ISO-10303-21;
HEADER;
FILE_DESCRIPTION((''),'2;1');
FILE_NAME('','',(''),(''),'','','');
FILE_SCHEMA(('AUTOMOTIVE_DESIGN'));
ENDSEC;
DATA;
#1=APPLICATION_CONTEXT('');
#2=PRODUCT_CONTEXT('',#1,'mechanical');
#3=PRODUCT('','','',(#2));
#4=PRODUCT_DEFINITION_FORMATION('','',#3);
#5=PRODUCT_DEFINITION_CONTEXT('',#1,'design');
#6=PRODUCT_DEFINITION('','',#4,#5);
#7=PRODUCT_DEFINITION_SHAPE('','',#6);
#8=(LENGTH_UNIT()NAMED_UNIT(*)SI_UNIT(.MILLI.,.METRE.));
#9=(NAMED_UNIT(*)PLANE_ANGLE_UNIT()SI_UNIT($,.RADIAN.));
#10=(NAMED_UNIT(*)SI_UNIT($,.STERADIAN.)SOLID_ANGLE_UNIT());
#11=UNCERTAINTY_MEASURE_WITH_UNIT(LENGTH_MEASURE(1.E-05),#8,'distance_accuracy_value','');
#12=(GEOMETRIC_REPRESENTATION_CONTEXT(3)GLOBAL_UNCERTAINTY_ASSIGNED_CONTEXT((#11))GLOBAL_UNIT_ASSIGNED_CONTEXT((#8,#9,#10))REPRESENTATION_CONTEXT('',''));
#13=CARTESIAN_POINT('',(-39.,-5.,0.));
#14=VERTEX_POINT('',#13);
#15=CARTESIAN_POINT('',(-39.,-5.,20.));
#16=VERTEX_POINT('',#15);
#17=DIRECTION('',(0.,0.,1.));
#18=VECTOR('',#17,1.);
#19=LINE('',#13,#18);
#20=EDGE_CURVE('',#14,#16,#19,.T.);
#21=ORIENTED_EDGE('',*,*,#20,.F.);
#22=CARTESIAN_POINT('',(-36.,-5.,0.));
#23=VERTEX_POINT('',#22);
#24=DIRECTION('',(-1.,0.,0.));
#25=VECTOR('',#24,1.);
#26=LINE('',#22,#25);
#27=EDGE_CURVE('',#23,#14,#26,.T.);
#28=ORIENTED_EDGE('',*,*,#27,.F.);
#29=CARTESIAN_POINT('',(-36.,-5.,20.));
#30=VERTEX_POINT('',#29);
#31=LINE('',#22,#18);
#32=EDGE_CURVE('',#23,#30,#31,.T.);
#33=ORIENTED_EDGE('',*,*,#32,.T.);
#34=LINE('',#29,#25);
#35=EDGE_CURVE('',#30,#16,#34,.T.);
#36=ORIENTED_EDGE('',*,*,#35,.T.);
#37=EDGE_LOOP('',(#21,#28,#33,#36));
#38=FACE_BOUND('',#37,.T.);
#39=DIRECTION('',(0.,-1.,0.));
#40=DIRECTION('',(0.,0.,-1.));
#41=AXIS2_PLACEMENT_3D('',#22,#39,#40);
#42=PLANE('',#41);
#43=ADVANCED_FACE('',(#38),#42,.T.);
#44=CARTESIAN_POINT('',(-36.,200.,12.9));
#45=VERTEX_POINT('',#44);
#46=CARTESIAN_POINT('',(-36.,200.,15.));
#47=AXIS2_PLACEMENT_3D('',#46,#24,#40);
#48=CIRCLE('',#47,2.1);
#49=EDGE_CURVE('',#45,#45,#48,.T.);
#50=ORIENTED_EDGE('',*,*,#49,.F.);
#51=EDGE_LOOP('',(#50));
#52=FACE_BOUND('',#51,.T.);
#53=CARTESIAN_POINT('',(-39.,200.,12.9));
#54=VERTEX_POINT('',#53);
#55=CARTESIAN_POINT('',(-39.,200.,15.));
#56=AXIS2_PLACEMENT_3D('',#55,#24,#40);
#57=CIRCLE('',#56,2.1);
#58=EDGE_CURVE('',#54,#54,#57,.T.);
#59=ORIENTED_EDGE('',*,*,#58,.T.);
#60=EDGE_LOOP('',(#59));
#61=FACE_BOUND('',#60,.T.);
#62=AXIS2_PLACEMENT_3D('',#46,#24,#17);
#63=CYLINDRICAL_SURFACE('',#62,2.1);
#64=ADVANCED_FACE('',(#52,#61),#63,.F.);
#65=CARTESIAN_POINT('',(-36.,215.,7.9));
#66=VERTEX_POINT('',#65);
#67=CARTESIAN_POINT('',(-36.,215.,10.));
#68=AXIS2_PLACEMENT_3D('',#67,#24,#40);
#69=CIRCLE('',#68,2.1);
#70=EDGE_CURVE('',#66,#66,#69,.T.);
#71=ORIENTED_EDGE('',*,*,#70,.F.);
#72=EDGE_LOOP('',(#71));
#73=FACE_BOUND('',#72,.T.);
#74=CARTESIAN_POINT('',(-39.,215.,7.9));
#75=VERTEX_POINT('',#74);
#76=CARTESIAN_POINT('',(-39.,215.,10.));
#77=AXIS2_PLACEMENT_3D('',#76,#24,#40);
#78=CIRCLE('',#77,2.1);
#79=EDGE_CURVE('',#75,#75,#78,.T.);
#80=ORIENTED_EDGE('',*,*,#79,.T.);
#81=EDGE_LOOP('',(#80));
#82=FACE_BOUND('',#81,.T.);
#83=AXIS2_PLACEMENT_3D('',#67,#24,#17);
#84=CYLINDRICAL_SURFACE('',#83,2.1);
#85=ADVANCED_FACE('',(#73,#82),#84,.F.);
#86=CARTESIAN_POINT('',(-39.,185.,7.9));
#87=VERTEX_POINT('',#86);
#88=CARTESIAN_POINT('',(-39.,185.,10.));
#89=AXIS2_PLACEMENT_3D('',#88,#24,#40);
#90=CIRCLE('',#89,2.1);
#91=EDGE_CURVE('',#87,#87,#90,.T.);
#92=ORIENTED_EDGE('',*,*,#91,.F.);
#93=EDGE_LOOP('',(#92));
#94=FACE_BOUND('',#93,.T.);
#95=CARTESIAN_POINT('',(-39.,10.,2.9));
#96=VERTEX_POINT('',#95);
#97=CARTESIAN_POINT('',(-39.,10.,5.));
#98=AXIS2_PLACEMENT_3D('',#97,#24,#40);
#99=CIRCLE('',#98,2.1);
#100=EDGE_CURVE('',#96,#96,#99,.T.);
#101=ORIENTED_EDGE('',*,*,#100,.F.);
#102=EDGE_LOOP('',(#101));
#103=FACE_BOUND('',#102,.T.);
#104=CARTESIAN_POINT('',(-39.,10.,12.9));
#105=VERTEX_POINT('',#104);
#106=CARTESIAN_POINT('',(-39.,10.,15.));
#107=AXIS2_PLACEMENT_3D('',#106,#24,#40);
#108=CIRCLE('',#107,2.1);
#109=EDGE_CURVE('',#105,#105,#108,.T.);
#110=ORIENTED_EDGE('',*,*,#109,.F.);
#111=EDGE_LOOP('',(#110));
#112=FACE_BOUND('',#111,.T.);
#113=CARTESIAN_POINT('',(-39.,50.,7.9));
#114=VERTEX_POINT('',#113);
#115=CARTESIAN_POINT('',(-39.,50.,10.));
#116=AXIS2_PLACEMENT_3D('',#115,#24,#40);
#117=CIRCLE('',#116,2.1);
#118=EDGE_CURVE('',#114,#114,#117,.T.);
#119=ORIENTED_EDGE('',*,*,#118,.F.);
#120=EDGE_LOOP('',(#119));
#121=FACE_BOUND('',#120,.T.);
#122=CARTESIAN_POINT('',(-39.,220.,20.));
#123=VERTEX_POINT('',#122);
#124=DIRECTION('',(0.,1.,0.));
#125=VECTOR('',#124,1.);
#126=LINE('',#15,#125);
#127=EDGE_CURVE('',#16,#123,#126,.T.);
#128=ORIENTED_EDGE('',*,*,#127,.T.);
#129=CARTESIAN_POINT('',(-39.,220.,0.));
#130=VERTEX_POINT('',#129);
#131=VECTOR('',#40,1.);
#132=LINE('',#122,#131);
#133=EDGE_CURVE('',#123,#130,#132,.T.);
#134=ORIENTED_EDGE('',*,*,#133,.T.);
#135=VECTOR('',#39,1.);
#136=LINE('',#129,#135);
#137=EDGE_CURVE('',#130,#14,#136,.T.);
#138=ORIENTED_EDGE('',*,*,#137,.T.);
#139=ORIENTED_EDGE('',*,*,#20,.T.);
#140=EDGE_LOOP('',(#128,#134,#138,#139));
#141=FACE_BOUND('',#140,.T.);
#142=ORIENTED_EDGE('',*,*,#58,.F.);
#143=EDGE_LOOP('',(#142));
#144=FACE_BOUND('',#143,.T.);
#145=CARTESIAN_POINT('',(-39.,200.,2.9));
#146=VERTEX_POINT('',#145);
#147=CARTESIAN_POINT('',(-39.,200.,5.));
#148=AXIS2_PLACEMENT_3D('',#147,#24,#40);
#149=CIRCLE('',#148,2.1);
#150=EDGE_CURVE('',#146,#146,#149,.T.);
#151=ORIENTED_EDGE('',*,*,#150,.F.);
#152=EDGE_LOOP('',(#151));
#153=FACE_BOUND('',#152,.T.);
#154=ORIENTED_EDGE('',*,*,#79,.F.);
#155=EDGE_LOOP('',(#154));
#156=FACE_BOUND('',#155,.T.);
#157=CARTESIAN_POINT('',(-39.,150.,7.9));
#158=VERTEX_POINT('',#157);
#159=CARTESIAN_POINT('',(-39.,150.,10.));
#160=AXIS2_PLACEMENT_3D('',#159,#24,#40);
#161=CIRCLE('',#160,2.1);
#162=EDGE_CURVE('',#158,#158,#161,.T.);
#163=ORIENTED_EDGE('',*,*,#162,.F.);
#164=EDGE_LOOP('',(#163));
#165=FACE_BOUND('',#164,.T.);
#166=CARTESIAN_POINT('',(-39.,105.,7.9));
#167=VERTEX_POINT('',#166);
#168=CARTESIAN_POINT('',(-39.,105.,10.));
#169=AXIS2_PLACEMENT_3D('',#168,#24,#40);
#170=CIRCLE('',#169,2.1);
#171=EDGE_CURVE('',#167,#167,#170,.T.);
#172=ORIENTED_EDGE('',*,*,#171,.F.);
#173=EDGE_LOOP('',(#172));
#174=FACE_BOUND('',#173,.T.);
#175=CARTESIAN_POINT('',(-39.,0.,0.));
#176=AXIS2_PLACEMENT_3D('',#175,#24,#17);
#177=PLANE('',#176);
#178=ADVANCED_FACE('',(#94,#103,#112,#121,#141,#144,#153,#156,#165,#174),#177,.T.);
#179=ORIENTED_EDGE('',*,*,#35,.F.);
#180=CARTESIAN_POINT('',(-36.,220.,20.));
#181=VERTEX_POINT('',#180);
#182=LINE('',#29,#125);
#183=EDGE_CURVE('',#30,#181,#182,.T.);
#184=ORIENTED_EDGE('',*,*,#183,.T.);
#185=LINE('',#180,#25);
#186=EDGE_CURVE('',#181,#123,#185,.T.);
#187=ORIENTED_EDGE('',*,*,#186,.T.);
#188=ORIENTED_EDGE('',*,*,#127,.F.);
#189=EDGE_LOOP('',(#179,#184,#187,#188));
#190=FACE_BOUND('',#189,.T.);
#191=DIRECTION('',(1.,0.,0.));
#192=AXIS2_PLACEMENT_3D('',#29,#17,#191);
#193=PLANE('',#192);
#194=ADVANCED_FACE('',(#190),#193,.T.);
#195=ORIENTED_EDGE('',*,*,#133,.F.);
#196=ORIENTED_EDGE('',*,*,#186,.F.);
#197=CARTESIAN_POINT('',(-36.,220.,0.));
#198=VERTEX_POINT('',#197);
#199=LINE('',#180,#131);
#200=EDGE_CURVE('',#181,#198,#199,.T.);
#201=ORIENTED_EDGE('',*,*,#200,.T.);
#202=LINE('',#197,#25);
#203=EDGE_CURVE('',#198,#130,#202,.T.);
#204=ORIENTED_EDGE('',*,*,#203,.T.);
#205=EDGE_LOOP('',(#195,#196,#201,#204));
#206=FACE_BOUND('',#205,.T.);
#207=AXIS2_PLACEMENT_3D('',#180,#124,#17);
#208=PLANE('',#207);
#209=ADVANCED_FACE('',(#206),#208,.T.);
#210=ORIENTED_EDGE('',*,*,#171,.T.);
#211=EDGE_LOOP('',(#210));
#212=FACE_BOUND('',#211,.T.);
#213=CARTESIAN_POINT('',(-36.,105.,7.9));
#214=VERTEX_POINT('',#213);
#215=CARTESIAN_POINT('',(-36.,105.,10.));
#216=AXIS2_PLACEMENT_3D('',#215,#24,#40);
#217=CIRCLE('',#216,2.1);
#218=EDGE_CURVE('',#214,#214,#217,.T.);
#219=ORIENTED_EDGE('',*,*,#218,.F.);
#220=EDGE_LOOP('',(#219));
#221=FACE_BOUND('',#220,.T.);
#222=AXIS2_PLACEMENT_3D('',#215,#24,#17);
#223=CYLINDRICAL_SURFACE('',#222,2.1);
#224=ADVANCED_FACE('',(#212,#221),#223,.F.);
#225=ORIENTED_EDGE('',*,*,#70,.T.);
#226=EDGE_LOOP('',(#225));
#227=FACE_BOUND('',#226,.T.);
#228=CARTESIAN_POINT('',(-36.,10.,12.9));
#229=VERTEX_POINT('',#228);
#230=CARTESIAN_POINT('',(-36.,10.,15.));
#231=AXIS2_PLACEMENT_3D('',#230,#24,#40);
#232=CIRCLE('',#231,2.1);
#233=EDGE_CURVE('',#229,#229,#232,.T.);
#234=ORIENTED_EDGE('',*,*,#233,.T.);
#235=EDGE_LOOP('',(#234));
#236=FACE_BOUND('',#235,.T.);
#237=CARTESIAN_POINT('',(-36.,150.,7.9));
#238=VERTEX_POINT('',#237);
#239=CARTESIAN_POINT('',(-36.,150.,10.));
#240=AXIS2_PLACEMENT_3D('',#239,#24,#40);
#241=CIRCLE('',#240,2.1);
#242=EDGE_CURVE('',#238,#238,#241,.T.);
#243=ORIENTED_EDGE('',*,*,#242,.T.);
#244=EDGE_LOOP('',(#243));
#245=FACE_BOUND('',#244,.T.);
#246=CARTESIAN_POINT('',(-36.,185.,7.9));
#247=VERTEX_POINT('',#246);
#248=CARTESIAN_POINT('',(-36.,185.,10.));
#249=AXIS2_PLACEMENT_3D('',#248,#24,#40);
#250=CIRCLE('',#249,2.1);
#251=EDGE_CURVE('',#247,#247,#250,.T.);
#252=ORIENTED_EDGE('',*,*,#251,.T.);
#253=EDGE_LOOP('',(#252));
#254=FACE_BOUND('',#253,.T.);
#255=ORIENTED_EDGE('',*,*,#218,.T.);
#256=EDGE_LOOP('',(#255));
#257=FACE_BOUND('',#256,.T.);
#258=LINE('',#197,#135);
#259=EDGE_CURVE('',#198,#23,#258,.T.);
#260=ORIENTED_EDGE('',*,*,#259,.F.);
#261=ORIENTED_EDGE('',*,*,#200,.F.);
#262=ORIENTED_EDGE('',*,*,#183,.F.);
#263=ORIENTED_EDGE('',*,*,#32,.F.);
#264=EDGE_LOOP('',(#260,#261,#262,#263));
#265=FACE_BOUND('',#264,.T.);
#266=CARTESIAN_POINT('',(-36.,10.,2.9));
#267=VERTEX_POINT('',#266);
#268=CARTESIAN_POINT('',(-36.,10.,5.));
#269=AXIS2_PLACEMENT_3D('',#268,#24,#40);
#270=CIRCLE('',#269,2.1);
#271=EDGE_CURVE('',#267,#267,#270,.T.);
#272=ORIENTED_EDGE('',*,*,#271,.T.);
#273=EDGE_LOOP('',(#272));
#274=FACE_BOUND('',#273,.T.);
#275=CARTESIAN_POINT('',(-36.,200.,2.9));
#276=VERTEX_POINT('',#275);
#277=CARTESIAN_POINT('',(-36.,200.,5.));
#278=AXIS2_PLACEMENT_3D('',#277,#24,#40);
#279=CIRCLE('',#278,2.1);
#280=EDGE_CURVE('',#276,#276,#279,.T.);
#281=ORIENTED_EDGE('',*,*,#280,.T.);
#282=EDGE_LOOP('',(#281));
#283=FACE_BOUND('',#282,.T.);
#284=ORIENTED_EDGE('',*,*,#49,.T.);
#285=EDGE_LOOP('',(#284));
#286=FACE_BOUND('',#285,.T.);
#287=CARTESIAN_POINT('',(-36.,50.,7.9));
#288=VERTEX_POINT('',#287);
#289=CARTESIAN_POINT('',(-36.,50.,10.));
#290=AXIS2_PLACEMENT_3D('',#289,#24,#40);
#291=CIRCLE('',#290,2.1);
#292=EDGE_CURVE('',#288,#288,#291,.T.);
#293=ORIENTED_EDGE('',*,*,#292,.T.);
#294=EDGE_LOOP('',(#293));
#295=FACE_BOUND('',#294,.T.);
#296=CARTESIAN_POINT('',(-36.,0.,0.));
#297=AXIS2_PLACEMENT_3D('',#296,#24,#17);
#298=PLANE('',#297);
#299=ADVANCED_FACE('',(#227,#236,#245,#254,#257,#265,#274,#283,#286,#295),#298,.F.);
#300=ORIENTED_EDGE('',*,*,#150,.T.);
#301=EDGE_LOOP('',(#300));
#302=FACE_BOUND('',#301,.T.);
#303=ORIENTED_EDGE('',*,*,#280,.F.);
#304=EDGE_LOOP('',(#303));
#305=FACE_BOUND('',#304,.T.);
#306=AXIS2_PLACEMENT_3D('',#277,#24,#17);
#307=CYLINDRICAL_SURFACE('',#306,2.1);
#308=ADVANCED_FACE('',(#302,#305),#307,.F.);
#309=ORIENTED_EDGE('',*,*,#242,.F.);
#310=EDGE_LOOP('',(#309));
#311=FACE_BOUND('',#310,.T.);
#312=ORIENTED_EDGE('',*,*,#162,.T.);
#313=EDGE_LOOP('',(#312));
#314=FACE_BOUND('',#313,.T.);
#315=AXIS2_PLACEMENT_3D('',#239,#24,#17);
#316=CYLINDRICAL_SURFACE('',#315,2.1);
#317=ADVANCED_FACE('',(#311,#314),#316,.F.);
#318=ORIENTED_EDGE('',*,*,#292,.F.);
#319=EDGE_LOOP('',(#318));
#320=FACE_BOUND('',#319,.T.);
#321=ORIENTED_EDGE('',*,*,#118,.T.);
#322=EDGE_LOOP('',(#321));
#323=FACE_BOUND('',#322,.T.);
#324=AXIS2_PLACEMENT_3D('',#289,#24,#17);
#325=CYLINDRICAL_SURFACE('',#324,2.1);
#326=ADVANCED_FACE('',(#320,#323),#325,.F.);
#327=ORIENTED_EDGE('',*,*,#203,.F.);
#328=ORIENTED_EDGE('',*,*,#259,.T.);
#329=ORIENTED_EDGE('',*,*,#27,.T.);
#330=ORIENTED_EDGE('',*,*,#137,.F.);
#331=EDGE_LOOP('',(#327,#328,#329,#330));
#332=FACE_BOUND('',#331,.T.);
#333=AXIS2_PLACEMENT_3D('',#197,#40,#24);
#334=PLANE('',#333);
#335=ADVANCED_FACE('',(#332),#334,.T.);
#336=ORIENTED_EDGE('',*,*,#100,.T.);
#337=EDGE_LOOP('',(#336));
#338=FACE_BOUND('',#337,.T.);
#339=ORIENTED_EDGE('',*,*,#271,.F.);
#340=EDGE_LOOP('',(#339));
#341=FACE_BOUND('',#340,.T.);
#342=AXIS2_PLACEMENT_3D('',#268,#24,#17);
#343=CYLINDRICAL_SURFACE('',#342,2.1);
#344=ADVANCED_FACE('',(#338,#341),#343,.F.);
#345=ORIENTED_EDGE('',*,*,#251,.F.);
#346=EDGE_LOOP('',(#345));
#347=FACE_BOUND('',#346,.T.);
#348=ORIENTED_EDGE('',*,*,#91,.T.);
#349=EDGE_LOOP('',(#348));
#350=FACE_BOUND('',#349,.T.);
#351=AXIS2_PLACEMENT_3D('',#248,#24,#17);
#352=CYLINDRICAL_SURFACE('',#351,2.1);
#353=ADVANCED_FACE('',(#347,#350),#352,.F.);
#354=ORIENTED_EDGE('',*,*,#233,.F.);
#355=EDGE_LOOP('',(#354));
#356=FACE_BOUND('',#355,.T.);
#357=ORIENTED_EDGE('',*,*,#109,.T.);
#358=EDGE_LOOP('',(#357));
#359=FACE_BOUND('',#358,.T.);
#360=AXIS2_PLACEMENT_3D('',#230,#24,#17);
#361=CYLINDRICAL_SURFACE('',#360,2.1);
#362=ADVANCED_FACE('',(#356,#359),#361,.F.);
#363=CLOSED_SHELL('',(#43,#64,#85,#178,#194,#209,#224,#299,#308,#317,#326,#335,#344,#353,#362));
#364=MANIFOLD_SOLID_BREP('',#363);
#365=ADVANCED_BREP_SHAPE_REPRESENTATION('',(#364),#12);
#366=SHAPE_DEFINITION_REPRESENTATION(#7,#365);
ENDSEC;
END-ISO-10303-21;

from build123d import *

# Parameters (mm, degrees)
SKETCH_1_W      = 225
SKETCH_1_H      = 20
SKETCH_1_R      = 2.1
EXTRUDE_1_DEPTH = 3


with BuildPart() as part:
    # 草图1 → 凸台-拉伸1 (new body)
    with BuildSketch(Plane(origin=(-39, 0, 0), x_dir=(0, -1, 0), z_dir=(-1, 0, 0))):
        with Locations((-107.5, 10)):
            Rectangle(SKETCH_1_W, SKETCH_1_H)
        with Locations(Location((-215, 10, 0), (0, 0, 270))):
            Circle(SKETCH_1_R, mode=Mode.SUBTRACT)
        with Locations(Location((-200, 15, 0), (0, 0, 270))):
            Circle(SKETCH_1_R, mode=Mode.SUBTRACT)
        with Locations(Location((-185, 10, 0), (0, 0, 270))):
            Circle(SKETCH_1_R, mode=Mode.SUBTRACT)
        with Locations(Location((-10, 5, 0), (0, 0, 270))):
            Circle(SKETCH_1_R, mode=Mode.SUBTRACT)
        with Locations(Location((-10, 15, 0), (0, 0, 270))):
            Circle(SKETCH_1_R, mode=Mode.SUBTRACT)
        with Locations(Location((-200, 5, 0), (0, 0, 270))):
            Circle(SKETCH_1_R, mode=Mode.SUBTRACT)
        with Locations(Location((-150, 10, 0), (0, 0, 270))):
            Circle(SKETCH_1_R, mode=Mode.SUBTRACT)
        with Locations(Location((-105, 10, 0), (0, 0, 270))):
            Circle(SKETCH_1_R, mode=Mode.SUBTRACT)
        with Locations(Location((-50, 10, 0), (0, 0, 270))):
            Circle(SKETCH_1_R, mode=Mode.SUBTRACT)
    extrude(amount=-EXTRUDE_1_DEPTH)


solid = part.part
